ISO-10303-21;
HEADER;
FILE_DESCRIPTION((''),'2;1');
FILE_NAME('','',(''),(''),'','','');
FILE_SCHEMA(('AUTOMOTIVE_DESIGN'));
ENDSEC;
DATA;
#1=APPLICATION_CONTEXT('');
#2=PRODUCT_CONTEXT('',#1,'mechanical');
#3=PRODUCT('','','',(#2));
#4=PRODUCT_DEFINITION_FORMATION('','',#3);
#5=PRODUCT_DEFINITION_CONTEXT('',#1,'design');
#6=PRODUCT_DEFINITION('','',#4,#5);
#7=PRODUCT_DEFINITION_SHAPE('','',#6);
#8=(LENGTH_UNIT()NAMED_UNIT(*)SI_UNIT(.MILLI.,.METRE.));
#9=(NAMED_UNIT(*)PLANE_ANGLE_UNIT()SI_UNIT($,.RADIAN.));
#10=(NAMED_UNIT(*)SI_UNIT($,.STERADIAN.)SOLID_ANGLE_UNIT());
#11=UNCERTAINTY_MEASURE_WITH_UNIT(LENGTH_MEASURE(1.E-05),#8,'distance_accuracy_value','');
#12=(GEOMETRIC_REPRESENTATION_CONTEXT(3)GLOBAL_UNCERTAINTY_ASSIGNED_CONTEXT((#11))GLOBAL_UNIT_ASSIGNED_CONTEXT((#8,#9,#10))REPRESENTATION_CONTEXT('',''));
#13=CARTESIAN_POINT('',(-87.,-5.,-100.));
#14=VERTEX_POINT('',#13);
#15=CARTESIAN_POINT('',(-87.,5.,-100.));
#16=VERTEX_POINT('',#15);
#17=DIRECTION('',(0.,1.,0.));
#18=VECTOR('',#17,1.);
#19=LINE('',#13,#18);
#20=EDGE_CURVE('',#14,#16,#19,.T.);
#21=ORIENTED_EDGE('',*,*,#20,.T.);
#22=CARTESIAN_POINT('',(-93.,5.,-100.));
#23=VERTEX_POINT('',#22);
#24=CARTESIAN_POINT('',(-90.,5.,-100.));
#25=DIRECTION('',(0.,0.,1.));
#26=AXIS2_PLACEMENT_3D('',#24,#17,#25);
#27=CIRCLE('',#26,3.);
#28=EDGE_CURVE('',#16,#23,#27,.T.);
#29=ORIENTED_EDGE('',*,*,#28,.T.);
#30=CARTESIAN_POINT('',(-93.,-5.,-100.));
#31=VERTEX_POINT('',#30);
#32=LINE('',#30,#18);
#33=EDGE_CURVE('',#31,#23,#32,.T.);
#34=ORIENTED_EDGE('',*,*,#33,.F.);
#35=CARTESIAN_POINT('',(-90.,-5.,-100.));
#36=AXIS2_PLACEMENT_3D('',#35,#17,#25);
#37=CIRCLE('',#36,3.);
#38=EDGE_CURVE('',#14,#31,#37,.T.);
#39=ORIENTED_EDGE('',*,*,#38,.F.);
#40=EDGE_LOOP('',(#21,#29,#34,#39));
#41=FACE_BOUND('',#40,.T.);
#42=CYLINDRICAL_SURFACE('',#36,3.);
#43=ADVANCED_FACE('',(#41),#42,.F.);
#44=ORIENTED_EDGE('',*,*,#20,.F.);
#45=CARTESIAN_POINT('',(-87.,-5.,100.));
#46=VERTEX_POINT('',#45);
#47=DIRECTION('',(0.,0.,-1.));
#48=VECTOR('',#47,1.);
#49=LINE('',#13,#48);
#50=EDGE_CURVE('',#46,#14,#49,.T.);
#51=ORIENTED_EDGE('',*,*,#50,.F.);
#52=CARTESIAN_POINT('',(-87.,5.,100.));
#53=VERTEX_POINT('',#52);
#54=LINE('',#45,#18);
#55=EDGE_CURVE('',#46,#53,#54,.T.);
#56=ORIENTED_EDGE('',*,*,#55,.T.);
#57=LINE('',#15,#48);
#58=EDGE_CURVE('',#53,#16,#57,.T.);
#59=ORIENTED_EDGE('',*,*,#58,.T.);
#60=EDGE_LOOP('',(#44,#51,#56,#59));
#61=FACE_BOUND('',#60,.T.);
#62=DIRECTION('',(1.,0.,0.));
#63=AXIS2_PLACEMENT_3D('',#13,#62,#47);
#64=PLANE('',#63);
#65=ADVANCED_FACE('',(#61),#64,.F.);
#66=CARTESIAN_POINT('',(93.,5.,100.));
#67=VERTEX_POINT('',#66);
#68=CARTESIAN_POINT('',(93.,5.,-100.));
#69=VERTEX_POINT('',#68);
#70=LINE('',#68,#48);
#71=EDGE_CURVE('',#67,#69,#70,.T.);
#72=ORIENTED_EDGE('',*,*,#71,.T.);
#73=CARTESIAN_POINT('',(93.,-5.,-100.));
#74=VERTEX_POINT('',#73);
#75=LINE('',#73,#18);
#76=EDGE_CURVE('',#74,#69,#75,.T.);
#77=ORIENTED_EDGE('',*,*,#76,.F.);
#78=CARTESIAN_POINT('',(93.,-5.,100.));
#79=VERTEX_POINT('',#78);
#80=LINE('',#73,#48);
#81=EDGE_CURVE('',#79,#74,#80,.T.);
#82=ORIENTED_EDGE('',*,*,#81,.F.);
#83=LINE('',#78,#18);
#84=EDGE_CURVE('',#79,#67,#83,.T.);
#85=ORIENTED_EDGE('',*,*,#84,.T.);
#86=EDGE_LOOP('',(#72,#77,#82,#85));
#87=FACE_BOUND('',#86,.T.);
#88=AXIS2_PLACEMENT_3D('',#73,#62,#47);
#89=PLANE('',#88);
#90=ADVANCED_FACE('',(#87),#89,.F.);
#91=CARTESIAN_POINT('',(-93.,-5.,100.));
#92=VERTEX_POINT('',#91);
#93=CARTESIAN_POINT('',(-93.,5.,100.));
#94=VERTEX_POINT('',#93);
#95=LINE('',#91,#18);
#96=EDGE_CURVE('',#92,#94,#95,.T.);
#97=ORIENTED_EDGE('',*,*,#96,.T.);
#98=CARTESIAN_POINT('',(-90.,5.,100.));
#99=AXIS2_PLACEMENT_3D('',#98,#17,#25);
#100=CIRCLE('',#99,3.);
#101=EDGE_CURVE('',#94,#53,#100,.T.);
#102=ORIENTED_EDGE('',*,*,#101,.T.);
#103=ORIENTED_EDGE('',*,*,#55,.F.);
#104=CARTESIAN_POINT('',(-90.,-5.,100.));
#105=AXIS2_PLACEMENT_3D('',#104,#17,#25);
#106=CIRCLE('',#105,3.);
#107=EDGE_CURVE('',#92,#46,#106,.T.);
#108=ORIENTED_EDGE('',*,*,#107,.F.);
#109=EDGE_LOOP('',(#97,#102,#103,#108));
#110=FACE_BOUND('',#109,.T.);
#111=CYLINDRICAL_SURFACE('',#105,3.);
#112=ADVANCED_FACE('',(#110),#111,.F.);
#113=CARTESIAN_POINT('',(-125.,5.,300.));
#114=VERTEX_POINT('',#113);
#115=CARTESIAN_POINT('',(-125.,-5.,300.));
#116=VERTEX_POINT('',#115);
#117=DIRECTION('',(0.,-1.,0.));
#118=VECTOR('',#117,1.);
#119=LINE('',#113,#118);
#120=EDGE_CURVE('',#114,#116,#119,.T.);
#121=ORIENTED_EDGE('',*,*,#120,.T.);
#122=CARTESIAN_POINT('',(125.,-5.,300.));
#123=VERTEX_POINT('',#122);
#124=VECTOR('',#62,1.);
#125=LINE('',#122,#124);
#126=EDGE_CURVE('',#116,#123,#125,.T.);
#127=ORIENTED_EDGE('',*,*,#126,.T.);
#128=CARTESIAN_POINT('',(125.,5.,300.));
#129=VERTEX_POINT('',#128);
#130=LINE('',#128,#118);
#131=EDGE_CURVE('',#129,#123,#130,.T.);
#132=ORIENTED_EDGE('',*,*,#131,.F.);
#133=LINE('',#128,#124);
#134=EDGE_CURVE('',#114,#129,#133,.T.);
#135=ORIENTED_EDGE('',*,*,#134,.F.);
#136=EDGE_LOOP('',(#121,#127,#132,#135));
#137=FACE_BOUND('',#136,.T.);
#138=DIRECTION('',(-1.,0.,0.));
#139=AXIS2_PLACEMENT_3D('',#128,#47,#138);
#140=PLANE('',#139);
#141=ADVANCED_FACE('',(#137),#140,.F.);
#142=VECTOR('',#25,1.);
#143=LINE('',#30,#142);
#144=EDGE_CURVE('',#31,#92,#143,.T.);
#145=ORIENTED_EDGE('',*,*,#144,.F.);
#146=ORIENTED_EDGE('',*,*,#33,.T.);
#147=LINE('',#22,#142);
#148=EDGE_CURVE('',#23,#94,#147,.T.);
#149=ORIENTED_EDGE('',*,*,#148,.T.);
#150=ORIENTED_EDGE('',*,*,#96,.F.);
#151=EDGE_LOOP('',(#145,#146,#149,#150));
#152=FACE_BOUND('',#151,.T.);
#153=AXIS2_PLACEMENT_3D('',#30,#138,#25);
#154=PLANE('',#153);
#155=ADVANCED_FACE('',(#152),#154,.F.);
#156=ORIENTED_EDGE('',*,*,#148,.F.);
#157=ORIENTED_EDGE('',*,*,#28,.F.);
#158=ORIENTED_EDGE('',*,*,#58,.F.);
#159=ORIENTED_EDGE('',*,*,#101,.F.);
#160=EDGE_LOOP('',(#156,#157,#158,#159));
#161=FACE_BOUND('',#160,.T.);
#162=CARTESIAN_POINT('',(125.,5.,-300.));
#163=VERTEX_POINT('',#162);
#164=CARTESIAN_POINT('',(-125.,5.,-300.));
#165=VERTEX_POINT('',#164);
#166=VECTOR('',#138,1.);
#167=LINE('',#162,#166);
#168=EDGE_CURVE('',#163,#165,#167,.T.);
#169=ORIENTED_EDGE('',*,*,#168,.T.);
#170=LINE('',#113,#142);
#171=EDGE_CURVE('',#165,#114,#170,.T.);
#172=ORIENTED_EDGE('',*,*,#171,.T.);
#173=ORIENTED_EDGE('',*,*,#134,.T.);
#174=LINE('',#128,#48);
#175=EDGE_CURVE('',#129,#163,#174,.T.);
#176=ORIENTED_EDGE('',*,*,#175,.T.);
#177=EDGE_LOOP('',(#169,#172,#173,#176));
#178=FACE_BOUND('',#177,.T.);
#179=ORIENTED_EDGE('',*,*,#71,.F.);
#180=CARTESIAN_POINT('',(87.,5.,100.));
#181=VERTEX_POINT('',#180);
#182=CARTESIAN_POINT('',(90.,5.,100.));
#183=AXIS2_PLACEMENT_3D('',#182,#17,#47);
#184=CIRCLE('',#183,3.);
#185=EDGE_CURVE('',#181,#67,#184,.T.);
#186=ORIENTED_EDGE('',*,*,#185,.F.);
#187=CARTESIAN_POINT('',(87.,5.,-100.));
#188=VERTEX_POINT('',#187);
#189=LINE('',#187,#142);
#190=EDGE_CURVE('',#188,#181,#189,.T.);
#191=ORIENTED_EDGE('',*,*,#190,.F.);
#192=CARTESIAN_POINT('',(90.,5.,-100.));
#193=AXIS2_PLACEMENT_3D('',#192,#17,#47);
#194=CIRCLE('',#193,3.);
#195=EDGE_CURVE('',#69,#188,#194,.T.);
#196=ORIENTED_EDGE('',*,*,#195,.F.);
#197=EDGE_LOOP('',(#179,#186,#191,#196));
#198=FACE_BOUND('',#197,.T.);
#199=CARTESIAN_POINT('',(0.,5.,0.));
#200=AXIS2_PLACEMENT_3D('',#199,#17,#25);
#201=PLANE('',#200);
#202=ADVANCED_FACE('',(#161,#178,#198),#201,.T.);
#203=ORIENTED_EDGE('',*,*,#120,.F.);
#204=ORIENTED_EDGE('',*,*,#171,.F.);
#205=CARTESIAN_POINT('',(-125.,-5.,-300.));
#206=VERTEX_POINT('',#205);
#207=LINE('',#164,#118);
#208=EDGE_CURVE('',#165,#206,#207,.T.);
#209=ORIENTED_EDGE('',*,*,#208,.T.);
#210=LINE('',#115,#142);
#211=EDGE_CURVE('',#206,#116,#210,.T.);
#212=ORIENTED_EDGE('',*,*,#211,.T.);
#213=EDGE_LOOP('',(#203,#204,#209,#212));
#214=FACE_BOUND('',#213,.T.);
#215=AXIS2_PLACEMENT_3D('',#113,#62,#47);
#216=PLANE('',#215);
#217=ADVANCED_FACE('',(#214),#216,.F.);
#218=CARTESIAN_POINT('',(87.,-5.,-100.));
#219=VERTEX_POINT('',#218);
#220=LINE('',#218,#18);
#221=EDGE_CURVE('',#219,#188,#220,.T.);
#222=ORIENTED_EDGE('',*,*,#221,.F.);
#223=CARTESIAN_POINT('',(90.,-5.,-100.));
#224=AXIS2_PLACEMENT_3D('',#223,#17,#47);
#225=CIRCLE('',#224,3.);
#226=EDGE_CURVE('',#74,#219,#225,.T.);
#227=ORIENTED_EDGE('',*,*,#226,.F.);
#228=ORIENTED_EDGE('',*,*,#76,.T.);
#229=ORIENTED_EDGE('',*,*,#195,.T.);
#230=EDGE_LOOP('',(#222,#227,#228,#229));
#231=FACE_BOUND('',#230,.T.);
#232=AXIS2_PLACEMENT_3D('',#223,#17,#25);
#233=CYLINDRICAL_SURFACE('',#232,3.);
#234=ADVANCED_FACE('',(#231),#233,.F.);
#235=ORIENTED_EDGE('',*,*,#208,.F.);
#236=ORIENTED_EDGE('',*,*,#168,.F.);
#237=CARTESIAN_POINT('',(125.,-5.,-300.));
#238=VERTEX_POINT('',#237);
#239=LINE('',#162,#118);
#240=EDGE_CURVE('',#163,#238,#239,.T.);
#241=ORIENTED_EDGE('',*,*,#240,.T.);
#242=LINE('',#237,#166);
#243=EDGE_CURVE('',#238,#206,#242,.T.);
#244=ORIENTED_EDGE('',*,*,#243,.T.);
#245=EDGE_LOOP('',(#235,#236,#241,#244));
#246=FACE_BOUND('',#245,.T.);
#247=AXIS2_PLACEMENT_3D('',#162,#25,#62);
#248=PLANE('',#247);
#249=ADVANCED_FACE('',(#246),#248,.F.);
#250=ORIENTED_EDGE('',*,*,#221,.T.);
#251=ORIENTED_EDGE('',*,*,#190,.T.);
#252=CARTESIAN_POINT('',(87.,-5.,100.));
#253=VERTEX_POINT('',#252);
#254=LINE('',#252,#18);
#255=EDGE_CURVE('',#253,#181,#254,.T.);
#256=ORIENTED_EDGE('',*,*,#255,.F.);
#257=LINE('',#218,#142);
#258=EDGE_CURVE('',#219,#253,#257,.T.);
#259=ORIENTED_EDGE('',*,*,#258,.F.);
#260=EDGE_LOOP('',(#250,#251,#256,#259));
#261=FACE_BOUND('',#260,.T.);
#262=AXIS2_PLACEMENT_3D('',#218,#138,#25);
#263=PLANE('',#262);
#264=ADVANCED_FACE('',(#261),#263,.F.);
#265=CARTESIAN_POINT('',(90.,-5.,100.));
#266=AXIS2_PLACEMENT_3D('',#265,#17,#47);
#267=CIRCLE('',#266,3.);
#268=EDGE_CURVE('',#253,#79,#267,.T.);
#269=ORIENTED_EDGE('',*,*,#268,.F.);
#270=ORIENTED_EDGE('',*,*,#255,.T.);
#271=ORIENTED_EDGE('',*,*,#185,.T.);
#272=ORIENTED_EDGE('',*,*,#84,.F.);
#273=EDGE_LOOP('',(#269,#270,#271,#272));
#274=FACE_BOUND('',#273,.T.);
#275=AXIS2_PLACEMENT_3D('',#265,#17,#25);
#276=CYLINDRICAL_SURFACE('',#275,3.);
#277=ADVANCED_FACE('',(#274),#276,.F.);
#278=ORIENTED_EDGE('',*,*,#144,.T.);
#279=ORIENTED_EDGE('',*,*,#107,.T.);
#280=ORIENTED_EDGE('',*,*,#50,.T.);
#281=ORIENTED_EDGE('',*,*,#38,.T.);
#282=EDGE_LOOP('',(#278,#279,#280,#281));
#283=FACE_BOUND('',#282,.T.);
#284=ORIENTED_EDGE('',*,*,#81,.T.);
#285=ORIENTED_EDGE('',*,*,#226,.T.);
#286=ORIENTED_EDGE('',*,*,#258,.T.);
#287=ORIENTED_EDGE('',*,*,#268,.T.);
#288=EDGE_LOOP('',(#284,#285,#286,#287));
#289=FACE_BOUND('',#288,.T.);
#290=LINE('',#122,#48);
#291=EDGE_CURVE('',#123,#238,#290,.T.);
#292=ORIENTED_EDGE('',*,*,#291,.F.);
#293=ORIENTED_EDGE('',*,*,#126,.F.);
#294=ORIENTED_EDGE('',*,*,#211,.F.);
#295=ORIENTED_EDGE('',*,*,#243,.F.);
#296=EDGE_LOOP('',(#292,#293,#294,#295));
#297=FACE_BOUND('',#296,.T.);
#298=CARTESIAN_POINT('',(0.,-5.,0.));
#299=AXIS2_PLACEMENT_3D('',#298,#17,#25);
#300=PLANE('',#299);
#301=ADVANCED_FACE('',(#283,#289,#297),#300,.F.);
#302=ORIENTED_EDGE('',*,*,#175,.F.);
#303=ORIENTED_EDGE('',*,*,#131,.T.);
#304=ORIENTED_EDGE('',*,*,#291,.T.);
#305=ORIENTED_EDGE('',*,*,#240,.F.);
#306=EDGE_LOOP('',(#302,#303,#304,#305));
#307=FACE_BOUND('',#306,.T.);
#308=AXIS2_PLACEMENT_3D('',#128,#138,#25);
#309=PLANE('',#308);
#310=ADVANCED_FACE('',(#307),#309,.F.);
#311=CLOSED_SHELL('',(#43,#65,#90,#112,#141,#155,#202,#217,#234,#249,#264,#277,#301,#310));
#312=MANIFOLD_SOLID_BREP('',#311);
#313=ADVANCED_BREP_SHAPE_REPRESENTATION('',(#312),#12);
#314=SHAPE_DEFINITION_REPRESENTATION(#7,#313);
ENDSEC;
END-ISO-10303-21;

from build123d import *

# Parameters (mm, degrees)
SKETCH_1_W          = 250
SKETCH_1_H          = 600
EXTRUDE_1_DEPTH     = 5
CUT_EXTRUDE_1_DEPTH = 11


with BuildPart() as part:
    # 草图1 → 凸台-拉伸1 (new body, symmetric)
    with BuildSketch(Plane(origin=(0, 0, 0), x_dir=(1, 0, 0), z_dir=(0, 1, 0))):
        Rectangle(SKETCH_1_W, SKETCH_1_H)
    extrude(amount=EXTRUDE_1_DEPTH, both=True)

    # 草图2 → 切除-拉伸1 (cut, through all)
    with BuildSketch(Plane(origin=(0, 5, 0), x_dir=(1, 0, 0), z_dir=(0, 1, 0))):
        with BuildLine():
            Line((-87, 100), (-87, -100))
            ThreePointArc((-87, -100), (-90, -103), (-93, -100))
            Line((-93, -100), (-93, 100))
            ThreePointArc((-93, 100), (-90, 103), (-87, 100))
        make_face()
        with BuildLine():
            Line((87, 100), (87, -100))
            ThreePointArc((87, -100), (90, -103), (93, -100))
            Line((93, -100), (93, 100))
            ThreePointArc((93, 100), (90, 103), (87, 100))
        make_face()
    extrude(amount=-CUT_EXTRUDE_1_DEPTH, mode=Mode.SUBTRACT)


solid = part.part
